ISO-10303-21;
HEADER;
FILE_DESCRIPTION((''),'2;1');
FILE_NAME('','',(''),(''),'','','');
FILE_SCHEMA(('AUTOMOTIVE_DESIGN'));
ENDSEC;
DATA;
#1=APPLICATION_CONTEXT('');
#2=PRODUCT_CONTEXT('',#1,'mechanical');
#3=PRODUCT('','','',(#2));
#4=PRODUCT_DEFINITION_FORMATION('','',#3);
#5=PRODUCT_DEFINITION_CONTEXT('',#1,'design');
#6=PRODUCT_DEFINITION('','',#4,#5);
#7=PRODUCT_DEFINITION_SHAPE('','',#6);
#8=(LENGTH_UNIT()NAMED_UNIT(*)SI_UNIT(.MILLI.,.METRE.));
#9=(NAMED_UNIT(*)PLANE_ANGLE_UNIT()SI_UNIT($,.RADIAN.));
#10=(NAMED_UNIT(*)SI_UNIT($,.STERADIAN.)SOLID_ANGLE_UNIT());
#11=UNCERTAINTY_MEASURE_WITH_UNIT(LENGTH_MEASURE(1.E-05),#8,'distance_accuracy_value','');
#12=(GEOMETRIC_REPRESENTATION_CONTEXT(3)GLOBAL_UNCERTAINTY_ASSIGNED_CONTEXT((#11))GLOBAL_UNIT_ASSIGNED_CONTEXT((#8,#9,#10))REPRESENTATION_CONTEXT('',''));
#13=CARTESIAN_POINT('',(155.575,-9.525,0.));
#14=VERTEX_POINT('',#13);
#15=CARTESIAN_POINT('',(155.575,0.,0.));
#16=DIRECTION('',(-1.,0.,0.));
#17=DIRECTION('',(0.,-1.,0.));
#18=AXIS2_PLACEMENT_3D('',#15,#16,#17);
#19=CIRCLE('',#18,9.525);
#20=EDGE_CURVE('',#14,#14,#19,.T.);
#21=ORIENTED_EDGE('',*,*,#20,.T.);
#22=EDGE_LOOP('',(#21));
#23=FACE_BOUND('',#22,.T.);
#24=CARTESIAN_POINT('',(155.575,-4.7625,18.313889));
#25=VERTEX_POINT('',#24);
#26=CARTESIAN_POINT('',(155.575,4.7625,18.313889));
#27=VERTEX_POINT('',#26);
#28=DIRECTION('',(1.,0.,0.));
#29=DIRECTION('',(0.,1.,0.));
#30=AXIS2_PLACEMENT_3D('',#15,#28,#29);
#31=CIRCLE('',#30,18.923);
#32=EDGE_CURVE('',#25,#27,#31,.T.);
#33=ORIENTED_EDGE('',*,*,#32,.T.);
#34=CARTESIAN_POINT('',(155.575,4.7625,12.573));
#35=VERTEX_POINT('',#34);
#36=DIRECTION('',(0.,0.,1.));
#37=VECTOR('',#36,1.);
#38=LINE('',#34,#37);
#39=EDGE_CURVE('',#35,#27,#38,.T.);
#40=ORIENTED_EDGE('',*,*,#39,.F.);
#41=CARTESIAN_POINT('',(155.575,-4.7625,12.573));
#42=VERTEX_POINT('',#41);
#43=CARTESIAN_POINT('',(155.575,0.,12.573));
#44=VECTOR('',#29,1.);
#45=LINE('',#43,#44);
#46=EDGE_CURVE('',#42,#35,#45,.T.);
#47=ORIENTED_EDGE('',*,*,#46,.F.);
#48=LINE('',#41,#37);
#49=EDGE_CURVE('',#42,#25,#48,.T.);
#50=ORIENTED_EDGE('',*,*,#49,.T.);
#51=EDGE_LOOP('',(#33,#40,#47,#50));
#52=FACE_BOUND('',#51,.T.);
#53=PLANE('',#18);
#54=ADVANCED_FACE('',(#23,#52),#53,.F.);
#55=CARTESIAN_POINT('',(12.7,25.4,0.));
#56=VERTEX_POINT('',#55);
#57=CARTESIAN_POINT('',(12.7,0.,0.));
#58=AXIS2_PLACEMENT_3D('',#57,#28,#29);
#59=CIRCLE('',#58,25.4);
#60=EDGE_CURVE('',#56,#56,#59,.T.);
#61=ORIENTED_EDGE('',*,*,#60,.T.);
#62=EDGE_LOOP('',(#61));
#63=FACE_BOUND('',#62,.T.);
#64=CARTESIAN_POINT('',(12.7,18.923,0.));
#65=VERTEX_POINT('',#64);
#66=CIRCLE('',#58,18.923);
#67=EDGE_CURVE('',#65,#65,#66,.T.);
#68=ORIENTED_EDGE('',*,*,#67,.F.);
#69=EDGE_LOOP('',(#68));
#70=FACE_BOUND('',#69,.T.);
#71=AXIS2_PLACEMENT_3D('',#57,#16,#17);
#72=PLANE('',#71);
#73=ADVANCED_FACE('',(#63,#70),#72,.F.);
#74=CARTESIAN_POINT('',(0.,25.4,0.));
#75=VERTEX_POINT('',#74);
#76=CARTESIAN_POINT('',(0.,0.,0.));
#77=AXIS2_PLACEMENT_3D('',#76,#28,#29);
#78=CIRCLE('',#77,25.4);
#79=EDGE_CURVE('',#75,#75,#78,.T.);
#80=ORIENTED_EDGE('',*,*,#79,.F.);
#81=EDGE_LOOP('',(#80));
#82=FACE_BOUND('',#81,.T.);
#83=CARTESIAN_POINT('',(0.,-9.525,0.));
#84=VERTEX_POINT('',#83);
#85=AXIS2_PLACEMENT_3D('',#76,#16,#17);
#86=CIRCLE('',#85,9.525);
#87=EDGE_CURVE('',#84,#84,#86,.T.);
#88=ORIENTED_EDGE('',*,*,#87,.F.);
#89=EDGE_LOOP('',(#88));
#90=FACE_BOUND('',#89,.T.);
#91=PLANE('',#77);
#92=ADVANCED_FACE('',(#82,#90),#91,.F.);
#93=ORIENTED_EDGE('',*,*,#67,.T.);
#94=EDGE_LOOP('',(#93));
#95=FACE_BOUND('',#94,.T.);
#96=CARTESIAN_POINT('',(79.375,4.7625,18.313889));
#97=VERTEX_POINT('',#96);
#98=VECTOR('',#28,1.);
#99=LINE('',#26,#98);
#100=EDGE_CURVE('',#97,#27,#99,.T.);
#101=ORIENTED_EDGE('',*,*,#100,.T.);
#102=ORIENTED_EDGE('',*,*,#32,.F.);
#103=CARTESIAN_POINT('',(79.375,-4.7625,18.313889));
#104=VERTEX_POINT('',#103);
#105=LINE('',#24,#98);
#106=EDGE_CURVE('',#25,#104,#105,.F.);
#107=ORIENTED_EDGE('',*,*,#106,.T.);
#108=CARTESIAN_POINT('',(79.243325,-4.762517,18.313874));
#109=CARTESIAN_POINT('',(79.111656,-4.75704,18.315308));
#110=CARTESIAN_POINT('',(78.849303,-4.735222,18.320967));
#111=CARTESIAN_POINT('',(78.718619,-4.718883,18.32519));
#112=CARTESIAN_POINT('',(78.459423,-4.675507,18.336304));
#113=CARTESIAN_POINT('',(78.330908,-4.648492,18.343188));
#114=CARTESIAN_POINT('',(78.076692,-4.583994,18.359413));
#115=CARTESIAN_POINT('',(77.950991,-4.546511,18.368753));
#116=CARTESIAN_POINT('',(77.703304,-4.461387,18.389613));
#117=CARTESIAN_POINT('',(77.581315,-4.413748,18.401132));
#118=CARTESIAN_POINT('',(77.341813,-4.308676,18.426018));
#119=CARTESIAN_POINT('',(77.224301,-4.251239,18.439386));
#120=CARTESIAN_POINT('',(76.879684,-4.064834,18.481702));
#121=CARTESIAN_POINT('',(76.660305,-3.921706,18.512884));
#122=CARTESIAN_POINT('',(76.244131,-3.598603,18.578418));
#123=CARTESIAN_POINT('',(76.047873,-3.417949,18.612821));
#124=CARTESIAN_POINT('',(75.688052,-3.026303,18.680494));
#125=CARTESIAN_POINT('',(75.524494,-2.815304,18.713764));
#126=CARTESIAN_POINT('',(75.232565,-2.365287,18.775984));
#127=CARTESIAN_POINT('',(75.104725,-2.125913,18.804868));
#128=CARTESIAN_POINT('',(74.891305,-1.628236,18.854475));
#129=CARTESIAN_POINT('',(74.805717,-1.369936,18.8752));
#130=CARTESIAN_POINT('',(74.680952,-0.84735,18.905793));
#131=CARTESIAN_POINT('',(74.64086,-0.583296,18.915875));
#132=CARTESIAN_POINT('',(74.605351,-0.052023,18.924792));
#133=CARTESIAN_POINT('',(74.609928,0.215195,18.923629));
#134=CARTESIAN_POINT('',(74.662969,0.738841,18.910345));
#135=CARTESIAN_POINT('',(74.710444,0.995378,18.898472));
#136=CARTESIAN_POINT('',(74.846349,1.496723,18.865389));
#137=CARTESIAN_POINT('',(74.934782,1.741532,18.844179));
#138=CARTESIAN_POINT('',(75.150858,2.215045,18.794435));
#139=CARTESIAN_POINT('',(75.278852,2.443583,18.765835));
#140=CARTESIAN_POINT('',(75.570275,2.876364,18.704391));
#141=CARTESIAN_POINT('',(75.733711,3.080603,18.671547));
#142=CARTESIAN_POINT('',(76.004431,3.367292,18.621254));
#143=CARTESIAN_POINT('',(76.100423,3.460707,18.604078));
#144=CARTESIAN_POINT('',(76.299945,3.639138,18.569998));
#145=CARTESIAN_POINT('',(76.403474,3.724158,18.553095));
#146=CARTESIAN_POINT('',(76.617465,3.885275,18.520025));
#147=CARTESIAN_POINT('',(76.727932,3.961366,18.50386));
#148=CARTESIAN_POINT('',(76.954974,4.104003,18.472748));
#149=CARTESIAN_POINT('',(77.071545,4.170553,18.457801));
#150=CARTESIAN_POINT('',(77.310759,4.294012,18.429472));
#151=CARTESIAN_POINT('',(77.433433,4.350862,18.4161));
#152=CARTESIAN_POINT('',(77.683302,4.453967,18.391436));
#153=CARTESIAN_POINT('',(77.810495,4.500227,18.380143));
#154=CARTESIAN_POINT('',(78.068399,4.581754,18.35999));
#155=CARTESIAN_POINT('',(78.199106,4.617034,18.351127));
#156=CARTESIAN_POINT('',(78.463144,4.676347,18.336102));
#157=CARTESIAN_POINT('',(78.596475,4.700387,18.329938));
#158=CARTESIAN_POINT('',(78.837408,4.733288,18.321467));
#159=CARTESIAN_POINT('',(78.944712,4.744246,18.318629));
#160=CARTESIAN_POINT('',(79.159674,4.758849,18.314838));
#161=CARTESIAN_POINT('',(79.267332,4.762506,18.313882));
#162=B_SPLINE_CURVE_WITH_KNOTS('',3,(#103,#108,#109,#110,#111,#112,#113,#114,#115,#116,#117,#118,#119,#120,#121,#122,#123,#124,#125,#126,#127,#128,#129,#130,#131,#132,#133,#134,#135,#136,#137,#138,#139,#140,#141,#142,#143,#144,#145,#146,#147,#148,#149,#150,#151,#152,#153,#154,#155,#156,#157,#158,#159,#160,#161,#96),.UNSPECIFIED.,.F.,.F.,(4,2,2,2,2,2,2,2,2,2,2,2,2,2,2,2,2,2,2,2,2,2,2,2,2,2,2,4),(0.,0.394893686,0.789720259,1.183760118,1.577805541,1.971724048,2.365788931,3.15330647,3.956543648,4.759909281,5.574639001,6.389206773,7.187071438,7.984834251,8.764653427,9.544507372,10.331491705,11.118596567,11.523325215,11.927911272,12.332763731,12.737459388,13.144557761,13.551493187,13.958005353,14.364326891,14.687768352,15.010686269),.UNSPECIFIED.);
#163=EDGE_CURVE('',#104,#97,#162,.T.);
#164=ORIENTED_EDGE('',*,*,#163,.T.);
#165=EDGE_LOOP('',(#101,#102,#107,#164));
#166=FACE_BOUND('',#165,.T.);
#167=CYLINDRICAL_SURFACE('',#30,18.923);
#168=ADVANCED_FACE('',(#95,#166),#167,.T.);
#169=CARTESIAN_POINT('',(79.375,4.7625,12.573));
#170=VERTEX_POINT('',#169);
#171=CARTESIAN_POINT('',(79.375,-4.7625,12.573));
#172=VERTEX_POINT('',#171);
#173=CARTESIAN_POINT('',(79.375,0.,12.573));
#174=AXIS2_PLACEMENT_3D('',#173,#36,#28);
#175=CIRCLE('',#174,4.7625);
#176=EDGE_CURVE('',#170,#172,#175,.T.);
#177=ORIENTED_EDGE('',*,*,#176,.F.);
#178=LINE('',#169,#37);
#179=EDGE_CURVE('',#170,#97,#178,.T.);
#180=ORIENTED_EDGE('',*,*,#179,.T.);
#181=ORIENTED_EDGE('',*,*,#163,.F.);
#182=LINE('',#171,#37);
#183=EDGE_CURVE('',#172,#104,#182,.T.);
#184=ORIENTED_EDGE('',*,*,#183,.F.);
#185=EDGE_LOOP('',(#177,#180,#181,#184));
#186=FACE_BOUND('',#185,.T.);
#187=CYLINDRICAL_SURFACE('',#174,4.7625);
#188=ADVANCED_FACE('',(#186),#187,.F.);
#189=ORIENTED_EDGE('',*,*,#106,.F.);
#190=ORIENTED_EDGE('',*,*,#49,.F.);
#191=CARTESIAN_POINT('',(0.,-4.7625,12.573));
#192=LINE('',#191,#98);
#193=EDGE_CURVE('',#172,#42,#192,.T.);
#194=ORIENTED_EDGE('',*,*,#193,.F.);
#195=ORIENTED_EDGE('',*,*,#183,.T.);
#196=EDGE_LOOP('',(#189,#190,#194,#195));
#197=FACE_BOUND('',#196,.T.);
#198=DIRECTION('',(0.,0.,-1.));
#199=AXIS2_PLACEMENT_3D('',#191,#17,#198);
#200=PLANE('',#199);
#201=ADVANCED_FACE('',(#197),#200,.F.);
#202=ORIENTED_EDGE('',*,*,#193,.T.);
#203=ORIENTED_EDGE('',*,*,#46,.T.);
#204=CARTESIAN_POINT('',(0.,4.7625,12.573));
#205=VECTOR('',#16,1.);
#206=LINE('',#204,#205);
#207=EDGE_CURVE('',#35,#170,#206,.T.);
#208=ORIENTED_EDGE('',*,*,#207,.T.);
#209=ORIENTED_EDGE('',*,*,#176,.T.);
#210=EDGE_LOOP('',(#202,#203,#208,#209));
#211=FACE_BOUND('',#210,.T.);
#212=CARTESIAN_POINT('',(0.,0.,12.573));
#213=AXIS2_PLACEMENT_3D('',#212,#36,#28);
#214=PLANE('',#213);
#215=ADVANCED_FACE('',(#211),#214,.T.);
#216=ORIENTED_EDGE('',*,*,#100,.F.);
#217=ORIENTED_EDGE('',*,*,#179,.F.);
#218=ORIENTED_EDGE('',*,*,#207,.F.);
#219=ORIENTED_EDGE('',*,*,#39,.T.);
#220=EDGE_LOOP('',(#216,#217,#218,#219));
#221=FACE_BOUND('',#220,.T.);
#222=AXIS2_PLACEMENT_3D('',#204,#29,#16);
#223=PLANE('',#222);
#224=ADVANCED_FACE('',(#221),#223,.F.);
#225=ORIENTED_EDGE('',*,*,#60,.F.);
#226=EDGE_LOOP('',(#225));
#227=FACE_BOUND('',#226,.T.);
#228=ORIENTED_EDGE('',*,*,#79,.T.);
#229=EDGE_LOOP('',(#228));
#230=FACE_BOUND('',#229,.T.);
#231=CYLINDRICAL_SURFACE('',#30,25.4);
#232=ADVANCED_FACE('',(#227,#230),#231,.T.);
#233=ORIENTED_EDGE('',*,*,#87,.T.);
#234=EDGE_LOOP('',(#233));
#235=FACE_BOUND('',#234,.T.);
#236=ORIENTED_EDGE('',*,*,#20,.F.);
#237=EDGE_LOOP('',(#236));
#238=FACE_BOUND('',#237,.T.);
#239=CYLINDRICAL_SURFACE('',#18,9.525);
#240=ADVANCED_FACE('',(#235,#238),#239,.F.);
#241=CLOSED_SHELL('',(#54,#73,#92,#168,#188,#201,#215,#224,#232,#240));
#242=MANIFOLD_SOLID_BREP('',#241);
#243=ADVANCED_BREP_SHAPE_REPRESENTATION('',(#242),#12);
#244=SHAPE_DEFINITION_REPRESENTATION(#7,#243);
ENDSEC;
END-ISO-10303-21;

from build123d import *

# Parameters (mm, degrees)
CUT_EXTRUDE1_DEPTH = 6.35
SKETCH3_R          = 9.525
CUT_EXTRUDE2_DEPTH = 160.668095298


with BuildPart() as part:
    # Sketch1 → Revolve1 (revolve)
    with BuildSketch(Plane.XY):
        Polygon((155.575, 0), (0, 0), (0, 25.4), (12.7, 25.4), (12.7, 18.923), (155.575, 18.923), align=None)
    revolve(axis=Axis((155.575, 0, 0), (-1, 0, 0)))

    # Sketch2 → Cut-Extrude1 (cut)
    with BuildSketch(Plane.XY.offset(18.923)):
        with BuildLine():
            Line((74.6125, 0), (155.575, 0))
            Line((155.575, 0), (155.575, 4.7625))
            Line((155.575, 4.7625), (79.375, 4.7625))
            ThreePointArc((79.375, 4.7625), (76.007403955, 3.367596045), (74.6125, 0))
        make_face()
        with BuildLine():
            Line((155.575, -4.7625), (155.575, 0))
            Line((155.575, 0), (74.6125, 0))
            ThreePointArc((74.6125, 0), (76.007403955, -3.367596045), (79.375, -4.7625))
            Line((79.375, -4.7625), (155.575, -4.7625))
        make_face()
    extrude(amount=-CUT_EXTRUDE1_DEPTH, mode=Mode.SUBTRACT)

    # Sketch3 → Cut-Extrude2 (cut, through all)
    with BuildSketch(Plane.ZY):
        with Locations(Location((0, 0, 0), (0, 0, 270))):
            Circle(SKETCH3_R)
    extrude(amount=-CUT_EXTRUDE2_DEPTH, mode=Mode.SUBTRACT)


solid = part.part
